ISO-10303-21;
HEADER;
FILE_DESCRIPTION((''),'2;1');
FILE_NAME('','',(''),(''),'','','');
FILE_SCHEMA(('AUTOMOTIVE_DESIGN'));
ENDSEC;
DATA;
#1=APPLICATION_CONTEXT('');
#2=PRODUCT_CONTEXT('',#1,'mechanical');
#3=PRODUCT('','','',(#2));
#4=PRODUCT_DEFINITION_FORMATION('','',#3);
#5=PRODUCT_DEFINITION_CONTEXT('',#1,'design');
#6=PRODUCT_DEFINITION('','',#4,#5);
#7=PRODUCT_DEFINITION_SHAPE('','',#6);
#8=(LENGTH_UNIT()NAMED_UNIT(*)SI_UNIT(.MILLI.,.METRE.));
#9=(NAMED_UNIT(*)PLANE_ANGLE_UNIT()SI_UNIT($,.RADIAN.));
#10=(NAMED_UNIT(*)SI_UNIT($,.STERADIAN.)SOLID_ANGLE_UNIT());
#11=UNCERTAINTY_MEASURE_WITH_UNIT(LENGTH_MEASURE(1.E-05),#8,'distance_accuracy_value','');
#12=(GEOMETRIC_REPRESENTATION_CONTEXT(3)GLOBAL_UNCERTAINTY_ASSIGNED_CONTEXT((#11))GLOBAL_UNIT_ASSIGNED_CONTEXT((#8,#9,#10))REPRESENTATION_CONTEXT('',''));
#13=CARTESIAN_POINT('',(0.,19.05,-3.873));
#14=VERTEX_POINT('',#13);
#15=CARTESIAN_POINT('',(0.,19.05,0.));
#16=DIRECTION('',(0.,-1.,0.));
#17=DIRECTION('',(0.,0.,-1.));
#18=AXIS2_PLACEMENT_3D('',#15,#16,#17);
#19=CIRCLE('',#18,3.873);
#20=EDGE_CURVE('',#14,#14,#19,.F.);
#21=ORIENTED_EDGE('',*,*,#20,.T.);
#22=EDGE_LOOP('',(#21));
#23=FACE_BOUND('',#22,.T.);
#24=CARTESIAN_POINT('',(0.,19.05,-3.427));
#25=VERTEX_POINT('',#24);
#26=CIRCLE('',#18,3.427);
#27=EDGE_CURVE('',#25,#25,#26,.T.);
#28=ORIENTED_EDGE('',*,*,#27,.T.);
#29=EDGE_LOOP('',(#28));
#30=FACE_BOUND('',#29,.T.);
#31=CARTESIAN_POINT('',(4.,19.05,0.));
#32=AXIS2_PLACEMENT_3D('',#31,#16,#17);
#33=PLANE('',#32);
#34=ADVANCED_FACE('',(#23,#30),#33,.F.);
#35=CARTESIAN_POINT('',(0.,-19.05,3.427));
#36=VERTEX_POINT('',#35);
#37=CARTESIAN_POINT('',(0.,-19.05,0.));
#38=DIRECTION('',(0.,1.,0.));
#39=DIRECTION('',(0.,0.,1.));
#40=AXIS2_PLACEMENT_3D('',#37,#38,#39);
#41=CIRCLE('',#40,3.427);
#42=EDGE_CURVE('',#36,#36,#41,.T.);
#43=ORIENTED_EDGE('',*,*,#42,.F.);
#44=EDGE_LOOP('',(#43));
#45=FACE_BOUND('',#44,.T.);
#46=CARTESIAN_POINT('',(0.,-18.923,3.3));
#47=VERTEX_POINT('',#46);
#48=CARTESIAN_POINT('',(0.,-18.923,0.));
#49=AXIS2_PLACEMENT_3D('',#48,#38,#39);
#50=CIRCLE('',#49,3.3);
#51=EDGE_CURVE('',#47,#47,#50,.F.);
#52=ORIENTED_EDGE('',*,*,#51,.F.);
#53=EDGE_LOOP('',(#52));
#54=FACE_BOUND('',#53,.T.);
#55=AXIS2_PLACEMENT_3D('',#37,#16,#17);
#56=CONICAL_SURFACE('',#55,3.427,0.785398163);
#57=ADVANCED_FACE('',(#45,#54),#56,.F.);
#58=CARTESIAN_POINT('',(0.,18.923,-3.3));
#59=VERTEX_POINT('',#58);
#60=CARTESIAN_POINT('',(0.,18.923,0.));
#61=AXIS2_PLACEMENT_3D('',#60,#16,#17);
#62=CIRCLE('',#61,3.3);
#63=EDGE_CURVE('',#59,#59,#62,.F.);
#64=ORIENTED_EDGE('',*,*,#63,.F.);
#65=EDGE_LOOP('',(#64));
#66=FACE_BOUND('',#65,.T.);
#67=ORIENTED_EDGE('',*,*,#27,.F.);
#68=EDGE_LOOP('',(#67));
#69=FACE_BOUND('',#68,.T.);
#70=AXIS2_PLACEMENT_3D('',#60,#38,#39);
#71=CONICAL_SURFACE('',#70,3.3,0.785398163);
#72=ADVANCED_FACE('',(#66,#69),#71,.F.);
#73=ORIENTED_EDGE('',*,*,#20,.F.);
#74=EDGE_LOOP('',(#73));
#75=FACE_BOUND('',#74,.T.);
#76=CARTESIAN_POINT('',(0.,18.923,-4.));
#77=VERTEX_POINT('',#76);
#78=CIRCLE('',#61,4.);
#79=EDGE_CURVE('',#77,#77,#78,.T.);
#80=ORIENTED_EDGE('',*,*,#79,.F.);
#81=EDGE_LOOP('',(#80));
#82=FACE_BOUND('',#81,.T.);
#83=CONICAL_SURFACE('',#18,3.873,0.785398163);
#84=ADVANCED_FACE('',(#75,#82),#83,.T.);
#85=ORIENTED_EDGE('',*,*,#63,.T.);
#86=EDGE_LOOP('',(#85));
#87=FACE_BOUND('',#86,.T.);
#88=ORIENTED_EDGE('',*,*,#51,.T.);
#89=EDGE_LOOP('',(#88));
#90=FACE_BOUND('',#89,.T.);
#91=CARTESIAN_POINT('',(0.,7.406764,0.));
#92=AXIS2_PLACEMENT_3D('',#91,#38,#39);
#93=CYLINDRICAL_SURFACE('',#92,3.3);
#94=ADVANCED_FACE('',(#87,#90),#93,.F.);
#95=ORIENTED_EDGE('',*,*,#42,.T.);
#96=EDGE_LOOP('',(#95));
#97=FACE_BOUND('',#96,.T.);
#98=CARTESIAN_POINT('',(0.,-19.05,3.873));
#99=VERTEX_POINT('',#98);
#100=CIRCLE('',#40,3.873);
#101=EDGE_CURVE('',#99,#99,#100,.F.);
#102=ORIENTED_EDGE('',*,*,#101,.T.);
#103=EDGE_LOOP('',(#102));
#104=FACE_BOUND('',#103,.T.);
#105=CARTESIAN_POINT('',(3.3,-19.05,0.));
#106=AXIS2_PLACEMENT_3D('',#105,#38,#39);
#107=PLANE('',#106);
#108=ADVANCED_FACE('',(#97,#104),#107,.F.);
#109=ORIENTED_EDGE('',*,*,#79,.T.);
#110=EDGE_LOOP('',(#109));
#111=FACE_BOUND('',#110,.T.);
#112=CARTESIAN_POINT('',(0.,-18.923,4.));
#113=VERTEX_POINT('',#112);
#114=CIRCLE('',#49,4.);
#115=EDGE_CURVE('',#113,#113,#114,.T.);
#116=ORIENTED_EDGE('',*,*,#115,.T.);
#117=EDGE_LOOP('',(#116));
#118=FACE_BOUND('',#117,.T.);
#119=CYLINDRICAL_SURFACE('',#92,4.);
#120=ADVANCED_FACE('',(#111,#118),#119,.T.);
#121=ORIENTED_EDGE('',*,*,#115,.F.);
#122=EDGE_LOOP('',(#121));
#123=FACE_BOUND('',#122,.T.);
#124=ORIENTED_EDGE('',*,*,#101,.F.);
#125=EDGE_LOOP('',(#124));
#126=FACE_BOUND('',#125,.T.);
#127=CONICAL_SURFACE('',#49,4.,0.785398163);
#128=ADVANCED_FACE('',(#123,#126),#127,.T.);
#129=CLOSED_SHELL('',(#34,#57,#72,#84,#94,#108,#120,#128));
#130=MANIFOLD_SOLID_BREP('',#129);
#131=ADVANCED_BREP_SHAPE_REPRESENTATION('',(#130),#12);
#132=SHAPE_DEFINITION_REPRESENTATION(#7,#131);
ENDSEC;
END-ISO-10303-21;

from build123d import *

# Parameters (mm, degrees)
SKETCH1_W     = 0.7
SKETCH1_H     = 38.1
CHAMFER1_SIZE = 0.127


with BuildPart() as part:
    # Sketch1 → Revolve1 (revolve)
    with BuildSketch(Plane.XY):
        with Locations((3.65, 0)):
            Rectangle(SKETCH1_W, SKETCH1_H)
    revolve(axis=Axis((0, 7.406764361, 0), (0, -1, 0)))

    # Chamfer1
    chamfer1_edges = [part.edges().sort_by_distance(p)[0] for p in [
        (-4, 19.05, 0),
        (-4, -19.05, 0),
        (-3.3, -19.05, 0),
        (-3.3, 19.05, 0),
    ]]
    chamfer(chamfer1_edges, length=CHAMFER1_SIZE)


solid = part.part
